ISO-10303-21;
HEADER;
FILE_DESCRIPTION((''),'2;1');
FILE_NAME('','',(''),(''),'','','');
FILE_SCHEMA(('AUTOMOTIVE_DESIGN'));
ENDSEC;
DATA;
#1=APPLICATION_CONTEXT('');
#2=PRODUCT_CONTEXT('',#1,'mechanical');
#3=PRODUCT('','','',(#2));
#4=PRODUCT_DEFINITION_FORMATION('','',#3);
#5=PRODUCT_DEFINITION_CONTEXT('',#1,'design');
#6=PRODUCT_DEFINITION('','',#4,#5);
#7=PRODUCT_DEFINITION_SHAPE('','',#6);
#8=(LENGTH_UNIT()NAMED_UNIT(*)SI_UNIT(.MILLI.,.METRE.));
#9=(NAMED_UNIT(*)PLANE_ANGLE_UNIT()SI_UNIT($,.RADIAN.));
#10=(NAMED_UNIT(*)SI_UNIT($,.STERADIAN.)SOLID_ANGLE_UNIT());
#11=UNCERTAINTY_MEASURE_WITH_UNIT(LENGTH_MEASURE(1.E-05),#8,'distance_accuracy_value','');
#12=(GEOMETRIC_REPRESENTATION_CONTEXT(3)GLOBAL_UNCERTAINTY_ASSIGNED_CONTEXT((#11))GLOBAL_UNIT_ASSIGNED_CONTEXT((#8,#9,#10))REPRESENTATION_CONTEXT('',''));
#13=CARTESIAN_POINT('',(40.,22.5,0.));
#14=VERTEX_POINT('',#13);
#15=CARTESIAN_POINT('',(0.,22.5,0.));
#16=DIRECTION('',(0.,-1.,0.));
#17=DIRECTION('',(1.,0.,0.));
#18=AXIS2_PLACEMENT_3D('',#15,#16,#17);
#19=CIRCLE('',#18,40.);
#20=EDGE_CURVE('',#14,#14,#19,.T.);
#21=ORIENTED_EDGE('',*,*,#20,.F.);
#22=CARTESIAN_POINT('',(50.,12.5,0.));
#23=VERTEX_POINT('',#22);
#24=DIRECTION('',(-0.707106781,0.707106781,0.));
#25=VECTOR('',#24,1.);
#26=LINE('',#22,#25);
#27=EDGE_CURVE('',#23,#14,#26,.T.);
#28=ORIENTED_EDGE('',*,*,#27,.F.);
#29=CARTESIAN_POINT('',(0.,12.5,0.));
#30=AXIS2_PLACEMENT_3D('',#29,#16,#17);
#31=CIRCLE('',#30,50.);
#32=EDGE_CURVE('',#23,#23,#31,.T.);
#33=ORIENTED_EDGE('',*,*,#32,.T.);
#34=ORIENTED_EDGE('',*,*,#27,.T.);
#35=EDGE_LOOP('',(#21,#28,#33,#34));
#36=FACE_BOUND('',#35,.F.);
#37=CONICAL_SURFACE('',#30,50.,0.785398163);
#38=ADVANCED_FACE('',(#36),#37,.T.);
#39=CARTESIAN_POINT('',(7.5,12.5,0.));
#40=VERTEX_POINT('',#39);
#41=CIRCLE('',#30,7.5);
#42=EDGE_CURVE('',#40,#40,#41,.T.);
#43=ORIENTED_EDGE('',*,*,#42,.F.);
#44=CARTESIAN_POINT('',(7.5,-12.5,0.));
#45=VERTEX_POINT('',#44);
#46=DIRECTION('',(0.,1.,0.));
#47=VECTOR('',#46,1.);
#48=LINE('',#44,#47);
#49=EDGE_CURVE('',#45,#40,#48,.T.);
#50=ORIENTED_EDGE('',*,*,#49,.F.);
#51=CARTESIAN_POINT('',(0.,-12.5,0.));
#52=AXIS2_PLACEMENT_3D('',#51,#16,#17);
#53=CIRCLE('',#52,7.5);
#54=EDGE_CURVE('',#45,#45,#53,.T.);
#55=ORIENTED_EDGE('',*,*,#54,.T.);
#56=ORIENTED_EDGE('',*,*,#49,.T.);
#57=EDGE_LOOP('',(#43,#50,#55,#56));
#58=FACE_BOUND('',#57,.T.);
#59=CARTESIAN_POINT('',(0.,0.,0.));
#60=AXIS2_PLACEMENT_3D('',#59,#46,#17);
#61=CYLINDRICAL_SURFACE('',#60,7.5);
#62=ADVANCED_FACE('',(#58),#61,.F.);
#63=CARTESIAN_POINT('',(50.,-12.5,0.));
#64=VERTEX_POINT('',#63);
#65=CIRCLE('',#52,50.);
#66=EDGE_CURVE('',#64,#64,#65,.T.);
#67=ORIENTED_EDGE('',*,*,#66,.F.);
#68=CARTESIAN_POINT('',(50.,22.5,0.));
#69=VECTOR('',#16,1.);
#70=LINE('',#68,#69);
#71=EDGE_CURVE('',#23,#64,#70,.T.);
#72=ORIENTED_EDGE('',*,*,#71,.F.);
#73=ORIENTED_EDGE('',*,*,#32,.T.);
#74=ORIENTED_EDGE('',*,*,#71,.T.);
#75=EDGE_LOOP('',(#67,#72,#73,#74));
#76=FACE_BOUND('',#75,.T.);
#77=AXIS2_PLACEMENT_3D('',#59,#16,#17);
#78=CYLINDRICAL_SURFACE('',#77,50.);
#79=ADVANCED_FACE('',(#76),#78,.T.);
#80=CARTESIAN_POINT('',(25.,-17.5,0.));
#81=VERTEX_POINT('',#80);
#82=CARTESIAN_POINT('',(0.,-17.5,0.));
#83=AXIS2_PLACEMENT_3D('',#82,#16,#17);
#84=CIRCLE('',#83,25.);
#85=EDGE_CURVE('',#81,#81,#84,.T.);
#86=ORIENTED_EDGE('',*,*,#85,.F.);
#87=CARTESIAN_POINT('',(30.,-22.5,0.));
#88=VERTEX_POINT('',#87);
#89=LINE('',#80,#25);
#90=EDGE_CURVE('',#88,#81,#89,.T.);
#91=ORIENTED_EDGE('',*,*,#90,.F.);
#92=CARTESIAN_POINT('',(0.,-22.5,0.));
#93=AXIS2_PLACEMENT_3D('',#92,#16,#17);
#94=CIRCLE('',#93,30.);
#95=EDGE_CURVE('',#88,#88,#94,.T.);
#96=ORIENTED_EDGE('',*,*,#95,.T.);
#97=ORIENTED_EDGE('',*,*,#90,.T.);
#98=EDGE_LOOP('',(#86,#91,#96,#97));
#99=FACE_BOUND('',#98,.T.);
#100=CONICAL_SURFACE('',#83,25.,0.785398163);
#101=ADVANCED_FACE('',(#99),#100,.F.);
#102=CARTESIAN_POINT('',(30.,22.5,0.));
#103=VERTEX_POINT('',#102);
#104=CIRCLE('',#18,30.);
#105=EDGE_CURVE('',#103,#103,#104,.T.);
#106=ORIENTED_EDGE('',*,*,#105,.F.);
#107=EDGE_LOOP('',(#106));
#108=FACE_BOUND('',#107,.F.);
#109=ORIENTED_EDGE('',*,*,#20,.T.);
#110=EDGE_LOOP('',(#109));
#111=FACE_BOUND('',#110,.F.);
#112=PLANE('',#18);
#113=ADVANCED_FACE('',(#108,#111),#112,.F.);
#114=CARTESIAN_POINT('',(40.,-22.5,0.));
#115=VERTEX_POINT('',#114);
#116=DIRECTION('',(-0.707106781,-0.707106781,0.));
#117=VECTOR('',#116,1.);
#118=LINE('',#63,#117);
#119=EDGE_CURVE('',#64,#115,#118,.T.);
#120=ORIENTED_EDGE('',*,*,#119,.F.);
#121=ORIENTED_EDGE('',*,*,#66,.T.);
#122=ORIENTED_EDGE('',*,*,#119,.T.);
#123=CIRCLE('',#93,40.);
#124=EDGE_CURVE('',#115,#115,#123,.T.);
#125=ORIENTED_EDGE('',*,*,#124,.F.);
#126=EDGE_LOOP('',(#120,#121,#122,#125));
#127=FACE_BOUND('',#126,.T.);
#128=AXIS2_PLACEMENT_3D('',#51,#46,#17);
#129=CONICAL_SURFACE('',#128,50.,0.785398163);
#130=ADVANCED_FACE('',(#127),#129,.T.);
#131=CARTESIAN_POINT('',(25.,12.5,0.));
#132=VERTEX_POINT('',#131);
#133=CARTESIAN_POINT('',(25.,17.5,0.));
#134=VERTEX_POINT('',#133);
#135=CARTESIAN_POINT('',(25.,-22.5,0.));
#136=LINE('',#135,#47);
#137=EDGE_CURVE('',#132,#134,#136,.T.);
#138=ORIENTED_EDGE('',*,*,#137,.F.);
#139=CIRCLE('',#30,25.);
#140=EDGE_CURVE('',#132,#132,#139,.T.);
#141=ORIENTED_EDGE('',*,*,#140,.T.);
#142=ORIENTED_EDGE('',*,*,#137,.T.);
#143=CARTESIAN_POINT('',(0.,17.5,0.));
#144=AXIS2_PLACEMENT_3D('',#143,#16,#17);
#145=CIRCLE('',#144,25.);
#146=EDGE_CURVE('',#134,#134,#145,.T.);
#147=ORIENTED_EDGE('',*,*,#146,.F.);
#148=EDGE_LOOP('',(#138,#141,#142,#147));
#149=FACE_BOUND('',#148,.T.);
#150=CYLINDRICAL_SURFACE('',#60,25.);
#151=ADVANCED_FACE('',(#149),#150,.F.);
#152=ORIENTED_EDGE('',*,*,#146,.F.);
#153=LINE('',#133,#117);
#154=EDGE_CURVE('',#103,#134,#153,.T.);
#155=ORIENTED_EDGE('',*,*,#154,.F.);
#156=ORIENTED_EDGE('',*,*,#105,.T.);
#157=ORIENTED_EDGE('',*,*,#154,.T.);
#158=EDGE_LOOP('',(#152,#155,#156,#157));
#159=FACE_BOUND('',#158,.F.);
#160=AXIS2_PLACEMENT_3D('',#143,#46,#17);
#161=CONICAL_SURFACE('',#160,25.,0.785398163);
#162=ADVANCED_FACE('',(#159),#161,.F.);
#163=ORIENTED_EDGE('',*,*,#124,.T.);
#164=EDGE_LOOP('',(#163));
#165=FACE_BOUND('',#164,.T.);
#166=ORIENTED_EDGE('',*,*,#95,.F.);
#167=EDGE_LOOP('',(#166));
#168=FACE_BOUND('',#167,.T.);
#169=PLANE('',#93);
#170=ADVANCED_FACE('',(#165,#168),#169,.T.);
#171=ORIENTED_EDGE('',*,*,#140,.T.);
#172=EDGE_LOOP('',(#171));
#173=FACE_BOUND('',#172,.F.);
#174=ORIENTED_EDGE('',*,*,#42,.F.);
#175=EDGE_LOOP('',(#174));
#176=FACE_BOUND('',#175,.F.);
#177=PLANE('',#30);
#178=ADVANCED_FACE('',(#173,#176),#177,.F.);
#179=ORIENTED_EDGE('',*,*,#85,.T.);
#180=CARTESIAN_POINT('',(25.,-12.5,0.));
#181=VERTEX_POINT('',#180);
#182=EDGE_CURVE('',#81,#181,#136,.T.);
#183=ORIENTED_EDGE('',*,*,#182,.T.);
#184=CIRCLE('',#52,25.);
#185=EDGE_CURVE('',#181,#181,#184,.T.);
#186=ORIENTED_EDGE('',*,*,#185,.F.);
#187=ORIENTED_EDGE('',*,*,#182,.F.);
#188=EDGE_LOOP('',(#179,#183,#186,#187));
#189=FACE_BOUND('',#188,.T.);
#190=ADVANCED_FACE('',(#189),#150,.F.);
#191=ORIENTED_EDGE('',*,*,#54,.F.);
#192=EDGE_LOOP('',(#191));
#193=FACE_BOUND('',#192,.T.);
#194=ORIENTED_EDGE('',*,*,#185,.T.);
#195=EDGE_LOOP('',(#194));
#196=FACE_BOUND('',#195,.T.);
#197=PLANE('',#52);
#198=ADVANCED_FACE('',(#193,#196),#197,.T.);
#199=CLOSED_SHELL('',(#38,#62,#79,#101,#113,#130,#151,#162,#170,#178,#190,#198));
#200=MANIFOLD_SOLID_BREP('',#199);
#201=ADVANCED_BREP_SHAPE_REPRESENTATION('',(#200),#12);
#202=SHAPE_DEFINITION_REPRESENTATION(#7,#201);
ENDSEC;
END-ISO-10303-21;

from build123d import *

# Parameters (mm, degrees)
F0_R     = 50
F0_R_2   = 25
F1_DEPTH = 22.5
F0_R_3   = 7.5
F2_DEPTH = 12.5
F3_SIZE  = 10
F4_SIZE  = 5


with BuildPart() as f1:
    # F0 (on Front) → F1 (new body, symmetric)
    with BuildSketch(Plane.XZ):
        Circle(F0_R)
        Circle(F0_R_2, mode=Mode.SUBTRACT)
    extrude(amount=F1_DEPTH, both=True)

    # F0 (on Front) → F2 (join, symmetric)
    with BuildSketch(Plane.XZ):
        Circle(F0_R_2)
        Circle(F0_R_3, mode=Mode.SUBTRACT)
    extrude(amount=F2_DEPTH, both=True)

    # F3
    f3_edges = [f1.edges().sort_by_distance(p)[0] for p in [
        (-50, -22.5, 0),
        (-50, 22.5, 0),
    ]]
    chamfer(f3_edges, length=F3_SIZE)

    # F4
    f4_edges = [f1.edges().sort_by_distance(p)[0] for p in [
        (-25, -22.5, 0),
        (-25, 22.5, 0),
    ]]
    chamfer(f4_edges, length=F4_SIZE)


solid = f1.part
